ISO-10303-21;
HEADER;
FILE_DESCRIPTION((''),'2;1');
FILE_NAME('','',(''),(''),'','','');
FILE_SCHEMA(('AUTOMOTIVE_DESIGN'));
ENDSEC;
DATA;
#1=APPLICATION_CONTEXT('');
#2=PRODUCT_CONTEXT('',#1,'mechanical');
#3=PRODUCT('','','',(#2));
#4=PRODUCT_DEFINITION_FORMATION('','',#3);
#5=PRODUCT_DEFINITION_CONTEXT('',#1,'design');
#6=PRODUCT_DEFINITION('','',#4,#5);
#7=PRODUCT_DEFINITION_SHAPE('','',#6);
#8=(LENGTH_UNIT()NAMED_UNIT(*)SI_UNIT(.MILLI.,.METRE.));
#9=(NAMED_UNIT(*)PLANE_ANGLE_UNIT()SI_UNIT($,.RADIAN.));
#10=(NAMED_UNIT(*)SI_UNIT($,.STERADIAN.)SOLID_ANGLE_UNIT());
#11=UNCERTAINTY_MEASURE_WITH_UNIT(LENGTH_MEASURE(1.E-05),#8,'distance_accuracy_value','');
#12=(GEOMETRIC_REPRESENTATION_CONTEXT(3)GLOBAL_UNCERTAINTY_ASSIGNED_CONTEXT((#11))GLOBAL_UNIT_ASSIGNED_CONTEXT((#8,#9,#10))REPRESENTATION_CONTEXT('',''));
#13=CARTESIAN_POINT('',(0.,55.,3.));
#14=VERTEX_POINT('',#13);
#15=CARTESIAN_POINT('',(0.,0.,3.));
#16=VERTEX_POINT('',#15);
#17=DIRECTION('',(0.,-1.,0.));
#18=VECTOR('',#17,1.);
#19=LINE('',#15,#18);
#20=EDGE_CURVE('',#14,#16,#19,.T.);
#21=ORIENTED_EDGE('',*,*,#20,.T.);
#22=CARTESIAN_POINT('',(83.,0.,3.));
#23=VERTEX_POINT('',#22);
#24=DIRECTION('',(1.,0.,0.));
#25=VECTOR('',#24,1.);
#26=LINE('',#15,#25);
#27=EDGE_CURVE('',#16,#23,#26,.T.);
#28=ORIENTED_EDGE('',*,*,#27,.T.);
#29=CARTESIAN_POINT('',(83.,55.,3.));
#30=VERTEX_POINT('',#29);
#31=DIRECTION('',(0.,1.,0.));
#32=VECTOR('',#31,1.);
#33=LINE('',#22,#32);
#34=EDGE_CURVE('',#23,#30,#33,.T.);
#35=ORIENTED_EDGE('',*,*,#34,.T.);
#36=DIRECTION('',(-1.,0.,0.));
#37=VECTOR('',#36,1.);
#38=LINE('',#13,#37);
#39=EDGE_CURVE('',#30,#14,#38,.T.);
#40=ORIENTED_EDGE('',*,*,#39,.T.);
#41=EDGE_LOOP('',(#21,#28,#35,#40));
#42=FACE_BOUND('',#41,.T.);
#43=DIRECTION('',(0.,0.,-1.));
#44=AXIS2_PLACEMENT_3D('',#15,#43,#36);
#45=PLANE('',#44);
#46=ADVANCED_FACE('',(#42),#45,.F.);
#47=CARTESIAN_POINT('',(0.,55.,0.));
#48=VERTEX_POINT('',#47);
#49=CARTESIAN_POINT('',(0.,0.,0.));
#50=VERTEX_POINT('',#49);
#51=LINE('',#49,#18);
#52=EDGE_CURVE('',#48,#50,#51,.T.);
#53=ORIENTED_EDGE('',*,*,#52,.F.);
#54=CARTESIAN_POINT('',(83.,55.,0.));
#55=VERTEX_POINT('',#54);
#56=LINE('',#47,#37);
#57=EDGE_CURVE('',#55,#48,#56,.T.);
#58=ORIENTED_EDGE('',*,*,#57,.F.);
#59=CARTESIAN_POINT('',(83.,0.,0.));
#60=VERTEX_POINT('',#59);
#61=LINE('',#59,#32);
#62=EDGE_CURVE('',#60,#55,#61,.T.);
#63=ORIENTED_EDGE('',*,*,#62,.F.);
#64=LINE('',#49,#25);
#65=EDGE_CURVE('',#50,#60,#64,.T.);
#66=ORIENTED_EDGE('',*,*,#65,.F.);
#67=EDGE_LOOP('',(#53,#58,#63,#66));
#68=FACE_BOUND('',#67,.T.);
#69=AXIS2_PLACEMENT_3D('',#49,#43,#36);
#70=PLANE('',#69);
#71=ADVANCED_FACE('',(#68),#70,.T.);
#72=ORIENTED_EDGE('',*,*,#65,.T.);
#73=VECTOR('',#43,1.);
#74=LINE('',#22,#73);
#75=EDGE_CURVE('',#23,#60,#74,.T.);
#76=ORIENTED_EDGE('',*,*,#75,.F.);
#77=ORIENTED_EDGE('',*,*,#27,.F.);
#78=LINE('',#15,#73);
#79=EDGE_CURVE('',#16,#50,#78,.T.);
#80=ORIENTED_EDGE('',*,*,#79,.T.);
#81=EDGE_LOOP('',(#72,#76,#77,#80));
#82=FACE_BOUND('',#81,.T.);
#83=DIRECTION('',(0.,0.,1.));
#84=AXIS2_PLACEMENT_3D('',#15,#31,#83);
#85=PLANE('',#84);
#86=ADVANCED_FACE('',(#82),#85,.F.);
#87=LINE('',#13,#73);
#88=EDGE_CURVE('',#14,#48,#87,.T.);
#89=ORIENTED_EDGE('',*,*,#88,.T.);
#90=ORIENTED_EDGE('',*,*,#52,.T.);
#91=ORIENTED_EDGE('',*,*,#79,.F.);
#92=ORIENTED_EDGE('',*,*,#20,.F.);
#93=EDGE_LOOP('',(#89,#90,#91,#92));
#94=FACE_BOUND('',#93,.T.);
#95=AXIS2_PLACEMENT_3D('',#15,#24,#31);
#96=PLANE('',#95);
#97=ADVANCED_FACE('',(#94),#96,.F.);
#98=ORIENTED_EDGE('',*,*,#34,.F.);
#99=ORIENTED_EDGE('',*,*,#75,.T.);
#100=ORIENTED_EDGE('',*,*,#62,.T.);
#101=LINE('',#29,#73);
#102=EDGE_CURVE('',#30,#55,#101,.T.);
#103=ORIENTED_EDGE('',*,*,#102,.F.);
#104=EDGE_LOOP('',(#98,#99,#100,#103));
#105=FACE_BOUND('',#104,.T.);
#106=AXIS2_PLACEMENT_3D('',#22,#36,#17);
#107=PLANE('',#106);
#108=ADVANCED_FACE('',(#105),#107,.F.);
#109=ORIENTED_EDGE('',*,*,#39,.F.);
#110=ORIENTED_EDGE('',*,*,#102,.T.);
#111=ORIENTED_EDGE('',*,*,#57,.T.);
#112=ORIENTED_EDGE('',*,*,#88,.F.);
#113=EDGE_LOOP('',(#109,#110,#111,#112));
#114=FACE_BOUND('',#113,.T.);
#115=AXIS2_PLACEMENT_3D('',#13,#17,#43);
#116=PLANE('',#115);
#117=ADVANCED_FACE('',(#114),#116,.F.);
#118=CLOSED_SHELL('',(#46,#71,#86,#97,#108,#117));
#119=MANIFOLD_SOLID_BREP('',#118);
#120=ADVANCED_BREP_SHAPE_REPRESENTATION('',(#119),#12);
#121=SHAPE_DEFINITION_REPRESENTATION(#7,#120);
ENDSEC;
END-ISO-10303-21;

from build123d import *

# Parameters (mm, degrees)
ESQUISSE1_W        = 83
ESQUISSE1_H        = 55
BOSS_EXTRU_1_DEPTH = 3


with BuildPart() as part:
    # Esquisse1 → Boss.-Extru.1 (new body)
    with BuildSketch(Plane.XY):
        with Locations((41.5, 27.5)):
            Rectangle(ESQUISSE1_W, ESQUISSE1_H)
    extrude(amount=BOSS_EXTRU_1_DEPTH)


solid = part.part
